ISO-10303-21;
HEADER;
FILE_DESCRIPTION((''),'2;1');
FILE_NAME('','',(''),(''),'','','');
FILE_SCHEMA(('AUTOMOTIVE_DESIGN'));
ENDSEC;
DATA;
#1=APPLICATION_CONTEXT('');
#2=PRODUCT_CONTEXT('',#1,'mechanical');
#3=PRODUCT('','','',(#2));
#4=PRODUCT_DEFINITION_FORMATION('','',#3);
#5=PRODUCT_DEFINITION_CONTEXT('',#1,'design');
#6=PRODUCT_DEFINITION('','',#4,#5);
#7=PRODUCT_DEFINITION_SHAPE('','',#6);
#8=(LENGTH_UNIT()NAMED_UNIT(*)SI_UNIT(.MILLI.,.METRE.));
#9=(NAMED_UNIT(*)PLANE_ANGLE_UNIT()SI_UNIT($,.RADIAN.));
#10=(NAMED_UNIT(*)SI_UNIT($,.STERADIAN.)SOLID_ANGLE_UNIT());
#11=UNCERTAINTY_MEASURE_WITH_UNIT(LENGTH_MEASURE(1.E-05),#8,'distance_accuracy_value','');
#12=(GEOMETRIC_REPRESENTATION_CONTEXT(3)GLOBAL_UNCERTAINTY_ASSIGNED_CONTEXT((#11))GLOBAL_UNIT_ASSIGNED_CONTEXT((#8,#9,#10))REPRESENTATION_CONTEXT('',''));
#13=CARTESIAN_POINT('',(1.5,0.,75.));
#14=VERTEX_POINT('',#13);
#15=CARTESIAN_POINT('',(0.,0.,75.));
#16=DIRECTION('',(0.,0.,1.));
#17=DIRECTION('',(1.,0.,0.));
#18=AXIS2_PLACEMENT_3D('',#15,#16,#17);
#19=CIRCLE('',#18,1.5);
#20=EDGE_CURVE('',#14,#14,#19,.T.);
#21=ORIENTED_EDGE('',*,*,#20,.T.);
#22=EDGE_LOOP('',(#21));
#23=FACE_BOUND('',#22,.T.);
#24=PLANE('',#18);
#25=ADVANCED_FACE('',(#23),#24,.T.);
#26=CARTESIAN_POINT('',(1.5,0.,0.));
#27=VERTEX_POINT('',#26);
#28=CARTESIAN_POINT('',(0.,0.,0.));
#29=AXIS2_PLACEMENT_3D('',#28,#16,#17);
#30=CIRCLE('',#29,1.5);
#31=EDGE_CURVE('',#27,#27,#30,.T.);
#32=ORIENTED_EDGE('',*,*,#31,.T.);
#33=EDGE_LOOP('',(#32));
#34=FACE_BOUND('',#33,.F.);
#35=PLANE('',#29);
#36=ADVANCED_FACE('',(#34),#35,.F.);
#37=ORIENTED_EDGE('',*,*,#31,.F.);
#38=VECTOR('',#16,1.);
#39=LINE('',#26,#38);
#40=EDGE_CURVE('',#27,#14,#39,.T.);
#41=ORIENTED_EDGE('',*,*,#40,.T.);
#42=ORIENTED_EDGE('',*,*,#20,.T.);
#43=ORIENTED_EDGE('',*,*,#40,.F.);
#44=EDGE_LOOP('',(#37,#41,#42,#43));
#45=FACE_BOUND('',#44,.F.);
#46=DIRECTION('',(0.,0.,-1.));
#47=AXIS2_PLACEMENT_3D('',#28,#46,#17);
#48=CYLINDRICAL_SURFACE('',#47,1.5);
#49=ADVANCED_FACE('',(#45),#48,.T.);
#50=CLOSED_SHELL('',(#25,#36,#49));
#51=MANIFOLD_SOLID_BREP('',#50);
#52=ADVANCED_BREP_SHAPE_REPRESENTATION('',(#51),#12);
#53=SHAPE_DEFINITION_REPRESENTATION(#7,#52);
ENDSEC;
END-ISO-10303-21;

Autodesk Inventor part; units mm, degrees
ref_plane "YZ Plane" through (0, 0, 0) normal (1, 0, 0) x (0, 1, 0)
ref_plane "XZ Plane" through (0, 0, 0) normal (0, 1, 0) x (-1, 0, 0)
ref_plane "XY Plane" through (0, 0, 0) normal (0, 0, 1) x (1, 0, 0)
sketch "スケッチ1" plane through (0, 0, 0) normal (0, 0, 1) x (1, 0, 0)
  circle A0 centre (0, 0) radius 1.5
  dimension "d0" = 3
extrude "押し出し1" add sketch "スケッチ1" along normal blind 75
properties part number "Shaft 75mm" material "ステンレス鋼 AISI 440C、溶接"
